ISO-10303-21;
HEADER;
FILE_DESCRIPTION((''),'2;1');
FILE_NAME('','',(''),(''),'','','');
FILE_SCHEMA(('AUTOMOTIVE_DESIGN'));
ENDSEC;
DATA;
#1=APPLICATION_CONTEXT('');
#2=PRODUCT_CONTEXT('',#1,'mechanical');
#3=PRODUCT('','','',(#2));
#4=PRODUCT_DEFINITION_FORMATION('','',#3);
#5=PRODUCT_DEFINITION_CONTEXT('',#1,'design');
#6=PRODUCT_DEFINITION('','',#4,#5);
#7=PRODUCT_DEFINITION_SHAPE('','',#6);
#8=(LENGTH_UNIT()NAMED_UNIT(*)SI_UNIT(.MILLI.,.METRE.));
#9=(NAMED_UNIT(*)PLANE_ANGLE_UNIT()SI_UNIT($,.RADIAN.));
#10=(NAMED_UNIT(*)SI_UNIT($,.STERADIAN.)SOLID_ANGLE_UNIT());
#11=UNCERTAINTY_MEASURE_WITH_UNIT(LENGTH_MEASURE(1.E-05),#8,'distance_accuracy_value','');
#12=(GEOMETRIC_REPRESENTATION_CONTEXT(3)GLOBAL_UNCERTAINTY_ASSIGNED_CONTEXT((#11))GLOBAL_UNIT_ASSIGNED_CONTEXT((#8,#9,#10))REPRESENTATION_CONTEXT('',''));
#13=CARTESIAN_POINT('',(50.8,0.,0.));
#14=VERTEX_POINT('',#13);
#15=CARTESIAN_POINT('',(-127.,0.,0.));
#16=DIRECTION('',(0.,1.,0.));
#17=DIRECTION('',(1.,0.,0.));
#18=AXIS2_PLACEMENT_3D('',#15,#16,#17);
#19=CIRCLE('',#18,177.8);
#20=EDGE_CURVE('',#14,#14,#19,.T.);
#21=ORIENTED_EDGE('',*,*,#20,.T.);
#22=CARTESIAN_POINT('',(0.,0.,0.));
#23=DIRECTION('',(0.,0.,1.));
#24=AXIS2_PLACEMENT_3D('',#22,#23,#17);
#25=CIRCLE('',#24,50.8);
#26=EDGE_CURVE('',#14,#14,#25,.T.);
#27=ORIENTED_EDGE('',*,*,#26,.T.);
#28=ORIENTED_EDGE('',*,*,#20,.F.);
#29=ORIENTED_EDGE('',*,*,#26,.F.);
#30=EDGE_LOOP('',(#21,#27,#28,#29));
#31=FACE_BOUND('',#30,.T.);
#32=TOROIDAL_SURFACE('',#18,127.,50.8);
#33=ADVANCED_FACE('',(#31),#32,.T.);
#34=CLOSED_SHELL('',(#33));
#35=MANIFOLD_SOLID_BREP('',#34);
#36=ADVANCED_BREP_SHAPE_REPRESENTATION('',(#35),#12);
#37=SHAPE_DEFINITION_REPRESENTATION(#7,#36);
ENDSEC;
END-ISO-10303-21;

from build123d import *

# Parameters (mm, degrees)
F0_R = 50.8


with BuildPart() as f1:
    # F0 (on Top) → F1 (revolve)
    with BuildSketch(Plane.XY):
        Circle(F0_R)
    revolve(axis=Axis((-127, 3.213206, 0), (0, 1, 0)))


solid = f1.part
